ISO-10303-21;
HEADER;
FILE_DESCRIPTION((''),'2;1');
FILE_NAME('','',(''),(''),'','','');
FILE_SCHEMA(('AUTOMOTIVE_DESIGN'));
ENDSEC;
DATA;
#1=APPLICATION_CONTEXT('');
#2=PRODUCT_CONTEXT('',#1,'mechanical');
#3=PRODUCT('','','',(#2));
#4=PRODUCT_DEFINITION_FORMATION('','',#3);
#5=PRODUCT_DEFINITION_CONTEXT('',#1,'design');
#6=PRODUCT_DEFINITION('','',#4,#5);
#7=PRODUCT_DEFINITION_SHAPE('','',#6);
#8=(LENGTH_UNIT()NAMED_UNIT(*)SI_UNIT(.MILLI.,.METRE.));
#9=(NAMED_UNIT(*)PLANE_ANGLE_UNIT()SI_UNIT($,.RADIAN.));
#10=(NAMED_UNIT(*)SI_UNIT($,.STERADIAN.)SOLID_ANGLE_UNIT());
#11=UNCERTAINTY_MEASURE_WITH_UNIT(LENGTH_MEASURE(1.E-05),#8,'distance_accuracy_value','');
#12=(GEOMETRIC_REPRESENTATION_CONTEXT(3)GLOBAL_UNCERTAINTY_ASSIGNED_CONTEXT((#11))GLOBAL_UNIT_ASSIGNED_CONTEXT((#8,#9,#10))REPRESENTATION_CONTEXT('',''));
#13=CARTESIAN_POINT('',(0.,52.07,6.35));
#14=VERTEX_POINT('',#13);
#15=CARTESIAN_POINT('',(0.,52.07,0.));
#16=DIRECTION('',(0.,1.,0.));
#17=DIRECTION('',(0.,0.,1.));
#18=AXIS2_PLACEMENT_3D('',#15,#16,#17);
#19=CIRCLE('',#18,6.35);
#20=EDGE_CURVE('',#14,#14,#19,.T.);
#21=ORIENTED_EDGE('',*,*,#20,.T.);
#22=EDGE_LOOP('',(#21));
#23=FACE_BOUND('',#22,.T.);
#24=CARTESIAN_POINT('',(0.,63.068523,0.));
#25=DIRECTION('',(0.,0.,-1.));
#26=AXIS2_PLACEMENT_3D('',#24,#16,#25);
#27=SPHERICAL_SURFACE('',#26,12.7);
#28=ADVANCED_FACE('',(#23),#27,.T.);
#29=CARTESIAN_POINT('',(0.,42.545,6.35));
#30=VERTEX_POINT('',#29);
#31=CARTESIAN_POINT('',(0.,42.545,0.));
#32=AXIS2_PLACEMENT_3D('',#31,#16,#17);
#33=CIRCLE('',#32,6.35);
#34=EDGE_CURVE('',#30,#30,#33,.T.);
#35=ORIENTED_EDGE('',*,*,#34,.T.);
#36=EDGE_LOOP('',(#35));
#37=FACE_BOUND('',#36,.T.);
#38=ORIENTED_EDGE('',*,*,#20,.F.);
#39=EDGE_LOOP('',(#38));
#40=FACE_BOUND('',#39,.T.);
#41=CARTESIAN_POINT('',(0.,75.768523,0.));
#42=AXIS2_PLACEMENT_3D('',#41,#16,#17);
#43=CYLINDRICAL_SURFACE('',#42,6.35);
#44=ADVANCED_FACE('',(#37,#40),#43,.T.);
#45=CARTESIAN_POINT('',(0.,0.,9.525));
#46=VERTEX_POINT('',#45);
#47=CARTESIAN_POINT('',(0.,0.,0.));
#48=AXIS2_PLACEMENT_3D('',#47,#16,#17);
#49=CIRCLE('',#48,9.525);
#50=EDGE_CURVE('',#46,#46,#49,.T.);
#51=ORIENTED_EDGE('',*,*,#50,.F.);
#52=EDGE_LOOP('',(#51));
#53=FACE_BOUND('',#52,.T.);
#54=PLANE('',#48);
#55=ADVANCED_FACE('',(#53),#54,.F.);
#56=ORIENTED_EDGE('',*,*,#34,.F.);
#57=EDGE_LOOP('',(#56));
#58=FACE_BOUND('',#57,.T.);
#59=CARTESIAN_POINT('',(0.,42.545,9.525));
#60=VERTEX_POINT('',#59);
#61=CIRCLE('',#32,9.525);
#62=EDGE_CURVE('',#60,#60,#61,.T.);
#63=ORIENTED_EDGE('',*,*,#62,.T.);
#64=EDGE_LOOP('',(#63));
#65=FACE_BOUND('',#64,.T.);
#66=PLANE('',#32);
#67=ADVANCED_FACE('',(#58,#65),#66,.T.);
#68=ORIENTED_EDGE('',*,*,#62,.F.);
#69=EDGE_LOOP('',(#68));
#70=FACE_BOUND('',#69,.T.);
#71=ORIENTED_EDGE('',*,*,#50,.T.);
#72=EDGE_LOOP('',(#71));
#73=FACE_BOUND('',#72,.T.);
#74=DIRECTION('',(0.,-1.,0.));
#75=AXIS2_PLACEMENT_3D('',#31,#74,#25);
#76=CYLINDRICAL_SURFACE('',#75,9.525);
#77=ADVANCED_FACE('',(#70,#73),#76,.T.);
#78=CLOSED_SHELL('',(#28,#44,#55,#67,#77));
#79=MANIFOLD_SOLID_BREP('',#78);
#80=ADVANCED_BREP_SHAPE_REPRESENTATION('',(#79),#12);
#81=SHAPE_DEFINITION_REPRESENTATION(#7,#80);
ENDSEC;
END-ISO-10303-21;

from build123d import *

# Parameters (mm, degrees)
SKETCH1_R           = 9.525
BOSS_EXTRUDE1_DEPTH = 42.545


with BuildPart() as part:
    # Sketch1 → Boss-Extrude1 (new body)
    with BuildSketch(Plane(origin=(0, 0, 0), x_dir=(1, 0, 0), z_dir=(0, 1, 0))):
        Circle(SKETCH1_R)
    extrude(amount=BOSS_EXTRUDE1_DEPTH)

    # Sketch2 → Revolve1 (revolve)
    with BuildSketch(Plane(origin=(0, 0, 0), x_dir=(0, 0, -1), z_dir=(1, 0, 0))):
        with BuildLine():
            Line((-6.35, 42.545), (-6.35, 52.07))
            ThreePointArc((-6.35, 52.07), (-12.267257994, 66.355524501), (0, 75.768522628))
            Line((0, 75.768522628), (0, 42.545))
            Line((0, 42.545), (-6.35, 42.545))
        make_face()
    revolve(axis=Axis((0, 75.768522628, 0), (0, -1, 0)))


solid = part.part
